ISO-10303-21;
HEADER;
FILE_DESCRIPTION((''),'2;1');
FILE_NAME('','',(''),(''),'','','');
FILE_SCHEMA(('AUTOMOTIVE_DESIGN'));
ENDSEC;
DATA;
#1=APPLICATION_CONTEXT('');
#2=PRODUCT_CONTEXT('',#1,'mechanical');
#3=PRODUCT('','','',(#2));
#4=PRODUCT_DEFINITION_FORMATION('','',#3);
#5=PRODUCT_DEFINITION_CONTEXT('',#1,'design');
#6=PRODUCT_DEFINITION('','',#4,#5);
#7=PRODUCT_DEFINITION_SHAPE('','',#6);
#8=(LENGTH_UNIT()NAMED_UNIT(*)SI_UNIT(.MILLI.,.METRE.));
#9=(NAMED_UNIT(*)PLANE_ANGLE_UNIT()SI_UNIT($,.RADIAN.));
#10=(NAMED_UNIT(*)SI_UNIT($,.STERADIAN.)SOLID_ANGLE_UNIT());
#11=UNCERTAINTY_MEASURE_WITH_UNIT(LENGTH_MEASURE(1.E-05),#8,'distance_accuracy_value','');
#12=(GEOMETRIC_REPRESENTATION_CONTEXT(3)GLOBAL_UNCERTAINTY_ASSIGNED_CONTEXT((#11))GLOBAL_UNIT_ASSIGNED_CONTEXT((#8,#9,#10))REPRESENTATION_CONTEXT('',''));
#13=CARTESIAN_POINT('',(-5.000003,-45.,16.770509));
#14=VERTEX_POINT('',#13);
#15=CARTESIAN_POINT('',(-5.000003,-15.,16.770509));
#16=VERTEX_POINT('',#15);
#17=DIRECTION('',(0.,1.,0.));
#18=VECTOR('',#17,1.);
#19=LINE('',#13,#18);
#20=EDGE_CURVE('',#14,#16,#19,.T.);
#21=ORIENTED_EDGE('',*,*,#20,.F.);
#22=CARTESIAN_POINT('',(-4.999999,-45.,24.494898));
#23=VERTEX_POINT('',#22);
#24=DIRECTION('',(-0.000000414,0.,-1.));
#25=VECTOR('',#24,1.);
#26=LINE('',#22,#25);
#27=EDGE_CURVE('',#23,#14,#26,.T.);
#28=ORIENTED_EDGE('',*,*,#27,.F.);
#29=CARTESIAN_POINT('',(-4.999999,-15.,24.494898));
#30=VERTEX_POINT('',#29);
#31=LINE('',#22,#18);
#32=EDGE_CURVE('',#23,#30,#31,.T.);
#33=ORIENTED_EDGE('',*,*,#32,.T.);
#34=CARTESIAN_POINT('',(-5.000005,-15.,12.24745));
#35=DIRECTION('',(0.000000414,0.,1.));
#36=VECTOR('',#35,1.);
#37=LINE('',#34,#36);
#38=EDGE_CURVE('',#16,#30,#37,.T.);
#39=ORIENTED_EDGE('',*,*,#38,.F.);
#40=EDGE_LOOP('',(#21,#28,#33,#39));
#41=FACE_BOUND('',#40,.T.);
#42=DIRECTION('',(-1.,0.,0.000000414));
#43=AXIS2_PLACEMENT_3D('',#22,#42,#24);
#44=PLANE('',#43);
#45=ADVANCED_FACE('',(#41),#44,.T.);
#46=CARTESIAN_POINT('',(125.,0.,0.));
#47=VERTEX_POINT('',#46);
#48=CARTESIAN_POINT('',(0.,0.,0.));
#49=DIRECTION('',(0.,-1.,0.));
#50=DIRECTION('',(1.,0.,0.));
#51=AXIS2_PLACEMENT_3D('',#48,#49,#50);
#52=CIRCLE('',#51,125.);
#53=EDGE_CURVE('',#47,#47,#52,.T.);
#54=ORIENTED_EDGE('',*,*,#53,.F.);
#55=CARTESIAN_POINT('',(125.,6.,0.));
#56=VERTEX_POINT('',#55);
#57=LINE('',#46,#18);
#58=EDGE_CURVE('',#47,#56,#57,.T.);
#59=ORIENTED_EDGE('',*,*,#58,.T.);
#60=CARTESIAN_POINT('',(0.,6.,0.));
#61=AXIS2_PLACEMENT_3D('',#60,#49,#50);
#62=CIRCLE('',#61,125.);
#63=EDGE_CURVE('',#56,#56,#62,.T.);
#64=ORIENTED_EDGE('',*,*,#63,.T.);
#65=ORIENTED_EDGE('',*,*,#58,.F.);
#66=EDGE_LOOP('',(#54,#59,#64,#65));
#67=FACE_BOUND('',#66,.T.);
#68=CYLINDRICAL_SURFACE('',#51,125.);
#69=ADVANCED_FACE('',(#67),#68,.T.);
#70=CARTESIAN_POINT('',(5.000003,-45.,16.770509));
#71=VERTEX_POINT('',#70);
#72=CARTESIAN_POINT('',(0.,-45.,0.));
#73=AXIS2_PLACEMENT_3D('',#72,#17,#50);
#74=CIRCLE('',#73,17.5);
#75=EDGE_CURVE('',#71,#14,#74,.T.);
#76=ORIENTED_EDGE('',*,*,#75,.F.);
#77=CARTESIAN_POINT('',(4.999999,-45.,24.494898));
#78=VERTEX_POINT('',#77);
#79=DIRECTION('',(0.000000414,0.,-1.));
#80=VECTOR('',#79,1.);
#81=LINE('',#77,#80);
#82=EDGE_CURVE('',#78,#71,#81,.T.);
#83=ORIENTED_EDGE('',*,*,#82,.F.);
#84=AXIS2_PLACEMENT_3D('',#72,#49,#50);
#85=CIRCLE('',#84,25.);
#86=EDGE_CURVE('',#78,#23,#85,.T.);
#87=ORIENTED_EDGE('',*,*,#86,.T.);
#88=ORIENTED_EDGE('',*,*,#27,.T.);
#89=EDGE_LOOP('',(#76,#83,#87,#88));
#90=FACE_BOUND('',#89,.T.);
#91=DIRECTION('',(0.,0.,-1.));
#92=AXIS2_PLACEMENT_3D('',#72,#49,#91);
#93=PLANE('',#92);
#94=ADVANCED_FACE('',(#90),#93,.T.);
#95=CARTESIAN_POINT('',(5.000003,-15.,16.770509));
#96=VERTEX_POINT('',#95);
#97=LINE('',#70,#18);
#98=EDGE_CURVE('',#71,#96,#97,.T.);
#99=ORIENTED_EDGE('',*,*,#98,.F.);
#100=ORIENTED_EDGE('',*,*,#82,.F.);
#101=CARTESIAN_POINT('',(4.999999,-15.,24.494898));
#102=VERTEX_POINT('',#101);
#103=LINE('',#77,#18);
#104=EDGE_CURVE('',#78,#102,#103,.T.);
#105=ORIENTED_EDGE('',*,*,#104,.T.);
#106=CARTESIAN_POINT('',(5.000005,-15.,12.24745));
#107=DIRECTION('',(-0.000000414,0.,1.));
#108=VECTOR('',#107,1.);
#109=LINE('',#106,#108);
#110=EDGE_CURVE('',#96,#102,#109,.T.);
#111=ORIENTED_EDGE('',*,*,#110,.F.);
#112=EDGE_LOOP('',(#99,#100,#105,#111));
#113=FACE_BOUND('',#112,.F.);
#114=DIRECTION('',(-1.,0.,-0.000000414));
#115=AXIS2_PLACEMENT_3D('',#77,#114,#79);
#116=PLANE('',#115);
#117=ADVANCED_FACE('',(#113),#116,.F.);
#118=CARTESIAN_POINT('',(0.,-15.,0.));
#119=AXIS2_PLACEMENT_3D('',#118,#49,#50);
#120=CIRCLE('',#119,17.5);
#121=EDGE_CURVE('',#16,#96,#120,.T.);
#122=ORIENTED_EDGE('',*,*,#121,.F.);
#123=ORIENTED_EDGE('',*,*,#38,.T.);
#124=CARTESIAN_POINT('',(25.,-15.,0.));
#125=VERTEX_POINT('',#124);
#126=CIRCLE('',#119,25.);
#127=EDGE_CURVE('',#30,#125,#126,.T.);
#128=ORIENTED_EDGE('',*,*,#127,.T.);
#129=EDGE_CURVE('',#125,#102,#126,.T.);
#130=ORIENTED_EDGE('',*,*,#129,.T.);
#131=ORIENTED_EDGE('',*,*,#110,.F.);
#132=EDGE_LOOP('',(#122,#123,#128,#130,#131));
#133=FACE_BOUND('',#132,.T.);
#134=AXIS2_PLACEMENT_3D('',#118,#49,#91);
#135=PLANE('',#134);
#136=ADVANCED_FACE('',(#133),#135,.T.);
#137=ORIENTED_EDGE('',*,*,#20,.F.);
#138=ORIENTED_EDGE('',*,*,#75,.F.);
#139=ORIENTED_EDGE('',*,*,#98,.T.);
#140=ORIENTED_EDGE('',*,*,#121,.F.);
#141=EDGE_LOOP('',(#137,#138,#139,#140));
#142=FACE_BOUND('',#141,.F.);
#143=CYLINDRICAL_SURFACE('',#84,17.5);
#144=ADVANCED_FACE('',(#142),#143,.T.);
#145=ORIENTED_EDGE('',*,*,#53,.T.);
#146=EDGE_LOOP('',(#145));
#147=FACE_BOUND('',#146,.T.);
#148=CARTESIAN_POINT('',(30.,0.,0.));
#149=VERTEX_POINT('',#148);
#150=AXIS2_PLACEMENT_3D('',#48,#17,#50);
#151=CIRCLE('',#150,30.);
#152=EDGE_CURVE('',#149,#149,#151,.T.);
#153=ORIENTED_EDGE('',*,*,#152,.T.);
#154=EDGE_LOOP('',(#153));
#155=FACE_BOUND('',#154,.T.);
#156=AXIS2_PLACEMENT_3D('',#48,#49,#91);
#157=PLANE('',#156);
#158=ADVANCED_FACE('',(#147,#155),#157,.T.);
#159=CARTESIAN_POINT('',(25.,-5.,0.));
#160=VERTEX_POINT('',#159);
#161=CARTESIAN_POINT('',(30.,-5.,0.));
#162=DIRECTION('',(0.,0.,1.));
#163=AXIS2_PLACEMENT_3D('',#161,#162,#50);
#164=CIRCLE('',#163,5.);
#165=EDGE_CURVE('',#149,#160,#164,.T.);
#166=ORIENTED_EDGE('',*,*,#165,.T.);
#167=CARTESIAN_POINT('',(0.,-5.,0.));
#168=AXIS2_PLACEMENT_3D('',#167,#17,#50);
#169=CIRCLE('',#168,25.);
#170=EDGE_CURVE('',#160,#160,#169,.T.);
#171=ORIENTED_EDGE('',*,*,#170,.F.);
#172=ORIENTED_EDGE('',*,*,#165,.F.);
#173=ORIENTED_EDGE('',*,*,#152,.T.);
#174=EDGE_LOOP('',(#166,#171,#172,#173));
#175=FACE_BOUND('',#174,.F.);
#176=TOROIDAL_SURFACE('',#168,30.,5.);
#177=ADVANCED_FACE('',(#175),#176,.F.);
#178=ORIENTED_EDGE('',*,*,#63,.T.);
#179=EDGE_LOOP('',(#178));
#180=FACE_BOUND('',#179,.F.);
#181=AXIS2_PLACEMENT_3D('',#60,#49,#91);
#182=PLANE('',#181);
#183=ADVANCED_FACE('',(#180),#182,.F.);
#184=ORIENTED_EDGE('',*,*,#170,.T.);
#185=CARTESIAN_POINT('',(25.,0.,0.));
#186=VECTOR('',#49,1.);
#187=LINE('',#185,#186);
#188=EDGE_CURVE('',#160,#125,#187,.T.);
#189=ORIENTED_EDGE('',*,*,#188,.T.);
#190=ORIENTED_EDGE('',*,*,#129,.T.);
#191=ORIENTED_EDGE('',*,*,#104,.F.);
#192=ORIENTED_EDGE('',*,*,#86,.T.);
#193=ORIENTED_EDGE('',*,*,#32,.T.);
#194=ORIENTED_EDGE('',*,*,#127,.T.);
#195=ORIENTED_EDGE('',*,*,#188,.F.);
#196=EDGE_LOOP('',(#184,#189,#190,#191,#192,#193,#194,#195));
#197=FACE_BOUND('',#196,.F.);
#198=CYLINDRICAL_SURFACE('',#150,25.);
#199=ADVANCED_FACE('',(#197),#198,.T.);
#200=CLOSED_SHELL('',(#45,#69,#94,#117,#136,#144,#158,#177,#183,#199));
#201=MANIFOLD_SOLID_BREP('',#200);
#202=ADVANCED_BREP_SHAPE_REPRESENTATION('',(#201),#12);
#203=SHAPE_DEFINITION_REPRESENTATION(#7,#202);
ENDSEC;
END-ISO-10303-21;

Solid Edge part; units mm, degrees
sketch "Sketch1" plane through (0, 0, 0) normal (0, -1, 0) x (1, 0, 0)
  circle A0 centre (0, 0) radius 125
extrude "Protrusion1" add sketch "Sketch1" against normal blind 6
sketch "Sketch2" plane through (0, 0, 0) normal (0, -1, 0) x (1, 0, 0)
  circle A0 centre (0, 0) radius 25
extrude "ProtrusiónExtruida_2" add sketch "Sketch2" along normal blind 45
sketch "Sketch3" plane through (0, -45, 0) normal (0, -1, 0) x (1, 0, 0)
  line L0 (-5, 24.4949) -> (-5, 16.7705)
  line L1 (5, 24.4949) -> (5, 16.7705)
  arc A0 (5, 24.4949) -> (-5, 24.4949) centre (0, 0) cw
  arc A1 (5, 16.7705) -> (-5, 16.7705) centre (0, 0) cw
extrude "Cutout1" cut sketch "Sketch3" against normal up to surface (45 mm away)
sketch "Sketch4" plane through (0, 0, 0) normal (0, -1, 0) x (1, 0, 0)
  circle A0 centre (0, 0) radius 25
extrude "ProtrusiónExtruida_3" add sketch "Sketch4" along normal blind 15
fillet "Redondeo_1" radius 5 1 edges at (-25, 0, 0)
